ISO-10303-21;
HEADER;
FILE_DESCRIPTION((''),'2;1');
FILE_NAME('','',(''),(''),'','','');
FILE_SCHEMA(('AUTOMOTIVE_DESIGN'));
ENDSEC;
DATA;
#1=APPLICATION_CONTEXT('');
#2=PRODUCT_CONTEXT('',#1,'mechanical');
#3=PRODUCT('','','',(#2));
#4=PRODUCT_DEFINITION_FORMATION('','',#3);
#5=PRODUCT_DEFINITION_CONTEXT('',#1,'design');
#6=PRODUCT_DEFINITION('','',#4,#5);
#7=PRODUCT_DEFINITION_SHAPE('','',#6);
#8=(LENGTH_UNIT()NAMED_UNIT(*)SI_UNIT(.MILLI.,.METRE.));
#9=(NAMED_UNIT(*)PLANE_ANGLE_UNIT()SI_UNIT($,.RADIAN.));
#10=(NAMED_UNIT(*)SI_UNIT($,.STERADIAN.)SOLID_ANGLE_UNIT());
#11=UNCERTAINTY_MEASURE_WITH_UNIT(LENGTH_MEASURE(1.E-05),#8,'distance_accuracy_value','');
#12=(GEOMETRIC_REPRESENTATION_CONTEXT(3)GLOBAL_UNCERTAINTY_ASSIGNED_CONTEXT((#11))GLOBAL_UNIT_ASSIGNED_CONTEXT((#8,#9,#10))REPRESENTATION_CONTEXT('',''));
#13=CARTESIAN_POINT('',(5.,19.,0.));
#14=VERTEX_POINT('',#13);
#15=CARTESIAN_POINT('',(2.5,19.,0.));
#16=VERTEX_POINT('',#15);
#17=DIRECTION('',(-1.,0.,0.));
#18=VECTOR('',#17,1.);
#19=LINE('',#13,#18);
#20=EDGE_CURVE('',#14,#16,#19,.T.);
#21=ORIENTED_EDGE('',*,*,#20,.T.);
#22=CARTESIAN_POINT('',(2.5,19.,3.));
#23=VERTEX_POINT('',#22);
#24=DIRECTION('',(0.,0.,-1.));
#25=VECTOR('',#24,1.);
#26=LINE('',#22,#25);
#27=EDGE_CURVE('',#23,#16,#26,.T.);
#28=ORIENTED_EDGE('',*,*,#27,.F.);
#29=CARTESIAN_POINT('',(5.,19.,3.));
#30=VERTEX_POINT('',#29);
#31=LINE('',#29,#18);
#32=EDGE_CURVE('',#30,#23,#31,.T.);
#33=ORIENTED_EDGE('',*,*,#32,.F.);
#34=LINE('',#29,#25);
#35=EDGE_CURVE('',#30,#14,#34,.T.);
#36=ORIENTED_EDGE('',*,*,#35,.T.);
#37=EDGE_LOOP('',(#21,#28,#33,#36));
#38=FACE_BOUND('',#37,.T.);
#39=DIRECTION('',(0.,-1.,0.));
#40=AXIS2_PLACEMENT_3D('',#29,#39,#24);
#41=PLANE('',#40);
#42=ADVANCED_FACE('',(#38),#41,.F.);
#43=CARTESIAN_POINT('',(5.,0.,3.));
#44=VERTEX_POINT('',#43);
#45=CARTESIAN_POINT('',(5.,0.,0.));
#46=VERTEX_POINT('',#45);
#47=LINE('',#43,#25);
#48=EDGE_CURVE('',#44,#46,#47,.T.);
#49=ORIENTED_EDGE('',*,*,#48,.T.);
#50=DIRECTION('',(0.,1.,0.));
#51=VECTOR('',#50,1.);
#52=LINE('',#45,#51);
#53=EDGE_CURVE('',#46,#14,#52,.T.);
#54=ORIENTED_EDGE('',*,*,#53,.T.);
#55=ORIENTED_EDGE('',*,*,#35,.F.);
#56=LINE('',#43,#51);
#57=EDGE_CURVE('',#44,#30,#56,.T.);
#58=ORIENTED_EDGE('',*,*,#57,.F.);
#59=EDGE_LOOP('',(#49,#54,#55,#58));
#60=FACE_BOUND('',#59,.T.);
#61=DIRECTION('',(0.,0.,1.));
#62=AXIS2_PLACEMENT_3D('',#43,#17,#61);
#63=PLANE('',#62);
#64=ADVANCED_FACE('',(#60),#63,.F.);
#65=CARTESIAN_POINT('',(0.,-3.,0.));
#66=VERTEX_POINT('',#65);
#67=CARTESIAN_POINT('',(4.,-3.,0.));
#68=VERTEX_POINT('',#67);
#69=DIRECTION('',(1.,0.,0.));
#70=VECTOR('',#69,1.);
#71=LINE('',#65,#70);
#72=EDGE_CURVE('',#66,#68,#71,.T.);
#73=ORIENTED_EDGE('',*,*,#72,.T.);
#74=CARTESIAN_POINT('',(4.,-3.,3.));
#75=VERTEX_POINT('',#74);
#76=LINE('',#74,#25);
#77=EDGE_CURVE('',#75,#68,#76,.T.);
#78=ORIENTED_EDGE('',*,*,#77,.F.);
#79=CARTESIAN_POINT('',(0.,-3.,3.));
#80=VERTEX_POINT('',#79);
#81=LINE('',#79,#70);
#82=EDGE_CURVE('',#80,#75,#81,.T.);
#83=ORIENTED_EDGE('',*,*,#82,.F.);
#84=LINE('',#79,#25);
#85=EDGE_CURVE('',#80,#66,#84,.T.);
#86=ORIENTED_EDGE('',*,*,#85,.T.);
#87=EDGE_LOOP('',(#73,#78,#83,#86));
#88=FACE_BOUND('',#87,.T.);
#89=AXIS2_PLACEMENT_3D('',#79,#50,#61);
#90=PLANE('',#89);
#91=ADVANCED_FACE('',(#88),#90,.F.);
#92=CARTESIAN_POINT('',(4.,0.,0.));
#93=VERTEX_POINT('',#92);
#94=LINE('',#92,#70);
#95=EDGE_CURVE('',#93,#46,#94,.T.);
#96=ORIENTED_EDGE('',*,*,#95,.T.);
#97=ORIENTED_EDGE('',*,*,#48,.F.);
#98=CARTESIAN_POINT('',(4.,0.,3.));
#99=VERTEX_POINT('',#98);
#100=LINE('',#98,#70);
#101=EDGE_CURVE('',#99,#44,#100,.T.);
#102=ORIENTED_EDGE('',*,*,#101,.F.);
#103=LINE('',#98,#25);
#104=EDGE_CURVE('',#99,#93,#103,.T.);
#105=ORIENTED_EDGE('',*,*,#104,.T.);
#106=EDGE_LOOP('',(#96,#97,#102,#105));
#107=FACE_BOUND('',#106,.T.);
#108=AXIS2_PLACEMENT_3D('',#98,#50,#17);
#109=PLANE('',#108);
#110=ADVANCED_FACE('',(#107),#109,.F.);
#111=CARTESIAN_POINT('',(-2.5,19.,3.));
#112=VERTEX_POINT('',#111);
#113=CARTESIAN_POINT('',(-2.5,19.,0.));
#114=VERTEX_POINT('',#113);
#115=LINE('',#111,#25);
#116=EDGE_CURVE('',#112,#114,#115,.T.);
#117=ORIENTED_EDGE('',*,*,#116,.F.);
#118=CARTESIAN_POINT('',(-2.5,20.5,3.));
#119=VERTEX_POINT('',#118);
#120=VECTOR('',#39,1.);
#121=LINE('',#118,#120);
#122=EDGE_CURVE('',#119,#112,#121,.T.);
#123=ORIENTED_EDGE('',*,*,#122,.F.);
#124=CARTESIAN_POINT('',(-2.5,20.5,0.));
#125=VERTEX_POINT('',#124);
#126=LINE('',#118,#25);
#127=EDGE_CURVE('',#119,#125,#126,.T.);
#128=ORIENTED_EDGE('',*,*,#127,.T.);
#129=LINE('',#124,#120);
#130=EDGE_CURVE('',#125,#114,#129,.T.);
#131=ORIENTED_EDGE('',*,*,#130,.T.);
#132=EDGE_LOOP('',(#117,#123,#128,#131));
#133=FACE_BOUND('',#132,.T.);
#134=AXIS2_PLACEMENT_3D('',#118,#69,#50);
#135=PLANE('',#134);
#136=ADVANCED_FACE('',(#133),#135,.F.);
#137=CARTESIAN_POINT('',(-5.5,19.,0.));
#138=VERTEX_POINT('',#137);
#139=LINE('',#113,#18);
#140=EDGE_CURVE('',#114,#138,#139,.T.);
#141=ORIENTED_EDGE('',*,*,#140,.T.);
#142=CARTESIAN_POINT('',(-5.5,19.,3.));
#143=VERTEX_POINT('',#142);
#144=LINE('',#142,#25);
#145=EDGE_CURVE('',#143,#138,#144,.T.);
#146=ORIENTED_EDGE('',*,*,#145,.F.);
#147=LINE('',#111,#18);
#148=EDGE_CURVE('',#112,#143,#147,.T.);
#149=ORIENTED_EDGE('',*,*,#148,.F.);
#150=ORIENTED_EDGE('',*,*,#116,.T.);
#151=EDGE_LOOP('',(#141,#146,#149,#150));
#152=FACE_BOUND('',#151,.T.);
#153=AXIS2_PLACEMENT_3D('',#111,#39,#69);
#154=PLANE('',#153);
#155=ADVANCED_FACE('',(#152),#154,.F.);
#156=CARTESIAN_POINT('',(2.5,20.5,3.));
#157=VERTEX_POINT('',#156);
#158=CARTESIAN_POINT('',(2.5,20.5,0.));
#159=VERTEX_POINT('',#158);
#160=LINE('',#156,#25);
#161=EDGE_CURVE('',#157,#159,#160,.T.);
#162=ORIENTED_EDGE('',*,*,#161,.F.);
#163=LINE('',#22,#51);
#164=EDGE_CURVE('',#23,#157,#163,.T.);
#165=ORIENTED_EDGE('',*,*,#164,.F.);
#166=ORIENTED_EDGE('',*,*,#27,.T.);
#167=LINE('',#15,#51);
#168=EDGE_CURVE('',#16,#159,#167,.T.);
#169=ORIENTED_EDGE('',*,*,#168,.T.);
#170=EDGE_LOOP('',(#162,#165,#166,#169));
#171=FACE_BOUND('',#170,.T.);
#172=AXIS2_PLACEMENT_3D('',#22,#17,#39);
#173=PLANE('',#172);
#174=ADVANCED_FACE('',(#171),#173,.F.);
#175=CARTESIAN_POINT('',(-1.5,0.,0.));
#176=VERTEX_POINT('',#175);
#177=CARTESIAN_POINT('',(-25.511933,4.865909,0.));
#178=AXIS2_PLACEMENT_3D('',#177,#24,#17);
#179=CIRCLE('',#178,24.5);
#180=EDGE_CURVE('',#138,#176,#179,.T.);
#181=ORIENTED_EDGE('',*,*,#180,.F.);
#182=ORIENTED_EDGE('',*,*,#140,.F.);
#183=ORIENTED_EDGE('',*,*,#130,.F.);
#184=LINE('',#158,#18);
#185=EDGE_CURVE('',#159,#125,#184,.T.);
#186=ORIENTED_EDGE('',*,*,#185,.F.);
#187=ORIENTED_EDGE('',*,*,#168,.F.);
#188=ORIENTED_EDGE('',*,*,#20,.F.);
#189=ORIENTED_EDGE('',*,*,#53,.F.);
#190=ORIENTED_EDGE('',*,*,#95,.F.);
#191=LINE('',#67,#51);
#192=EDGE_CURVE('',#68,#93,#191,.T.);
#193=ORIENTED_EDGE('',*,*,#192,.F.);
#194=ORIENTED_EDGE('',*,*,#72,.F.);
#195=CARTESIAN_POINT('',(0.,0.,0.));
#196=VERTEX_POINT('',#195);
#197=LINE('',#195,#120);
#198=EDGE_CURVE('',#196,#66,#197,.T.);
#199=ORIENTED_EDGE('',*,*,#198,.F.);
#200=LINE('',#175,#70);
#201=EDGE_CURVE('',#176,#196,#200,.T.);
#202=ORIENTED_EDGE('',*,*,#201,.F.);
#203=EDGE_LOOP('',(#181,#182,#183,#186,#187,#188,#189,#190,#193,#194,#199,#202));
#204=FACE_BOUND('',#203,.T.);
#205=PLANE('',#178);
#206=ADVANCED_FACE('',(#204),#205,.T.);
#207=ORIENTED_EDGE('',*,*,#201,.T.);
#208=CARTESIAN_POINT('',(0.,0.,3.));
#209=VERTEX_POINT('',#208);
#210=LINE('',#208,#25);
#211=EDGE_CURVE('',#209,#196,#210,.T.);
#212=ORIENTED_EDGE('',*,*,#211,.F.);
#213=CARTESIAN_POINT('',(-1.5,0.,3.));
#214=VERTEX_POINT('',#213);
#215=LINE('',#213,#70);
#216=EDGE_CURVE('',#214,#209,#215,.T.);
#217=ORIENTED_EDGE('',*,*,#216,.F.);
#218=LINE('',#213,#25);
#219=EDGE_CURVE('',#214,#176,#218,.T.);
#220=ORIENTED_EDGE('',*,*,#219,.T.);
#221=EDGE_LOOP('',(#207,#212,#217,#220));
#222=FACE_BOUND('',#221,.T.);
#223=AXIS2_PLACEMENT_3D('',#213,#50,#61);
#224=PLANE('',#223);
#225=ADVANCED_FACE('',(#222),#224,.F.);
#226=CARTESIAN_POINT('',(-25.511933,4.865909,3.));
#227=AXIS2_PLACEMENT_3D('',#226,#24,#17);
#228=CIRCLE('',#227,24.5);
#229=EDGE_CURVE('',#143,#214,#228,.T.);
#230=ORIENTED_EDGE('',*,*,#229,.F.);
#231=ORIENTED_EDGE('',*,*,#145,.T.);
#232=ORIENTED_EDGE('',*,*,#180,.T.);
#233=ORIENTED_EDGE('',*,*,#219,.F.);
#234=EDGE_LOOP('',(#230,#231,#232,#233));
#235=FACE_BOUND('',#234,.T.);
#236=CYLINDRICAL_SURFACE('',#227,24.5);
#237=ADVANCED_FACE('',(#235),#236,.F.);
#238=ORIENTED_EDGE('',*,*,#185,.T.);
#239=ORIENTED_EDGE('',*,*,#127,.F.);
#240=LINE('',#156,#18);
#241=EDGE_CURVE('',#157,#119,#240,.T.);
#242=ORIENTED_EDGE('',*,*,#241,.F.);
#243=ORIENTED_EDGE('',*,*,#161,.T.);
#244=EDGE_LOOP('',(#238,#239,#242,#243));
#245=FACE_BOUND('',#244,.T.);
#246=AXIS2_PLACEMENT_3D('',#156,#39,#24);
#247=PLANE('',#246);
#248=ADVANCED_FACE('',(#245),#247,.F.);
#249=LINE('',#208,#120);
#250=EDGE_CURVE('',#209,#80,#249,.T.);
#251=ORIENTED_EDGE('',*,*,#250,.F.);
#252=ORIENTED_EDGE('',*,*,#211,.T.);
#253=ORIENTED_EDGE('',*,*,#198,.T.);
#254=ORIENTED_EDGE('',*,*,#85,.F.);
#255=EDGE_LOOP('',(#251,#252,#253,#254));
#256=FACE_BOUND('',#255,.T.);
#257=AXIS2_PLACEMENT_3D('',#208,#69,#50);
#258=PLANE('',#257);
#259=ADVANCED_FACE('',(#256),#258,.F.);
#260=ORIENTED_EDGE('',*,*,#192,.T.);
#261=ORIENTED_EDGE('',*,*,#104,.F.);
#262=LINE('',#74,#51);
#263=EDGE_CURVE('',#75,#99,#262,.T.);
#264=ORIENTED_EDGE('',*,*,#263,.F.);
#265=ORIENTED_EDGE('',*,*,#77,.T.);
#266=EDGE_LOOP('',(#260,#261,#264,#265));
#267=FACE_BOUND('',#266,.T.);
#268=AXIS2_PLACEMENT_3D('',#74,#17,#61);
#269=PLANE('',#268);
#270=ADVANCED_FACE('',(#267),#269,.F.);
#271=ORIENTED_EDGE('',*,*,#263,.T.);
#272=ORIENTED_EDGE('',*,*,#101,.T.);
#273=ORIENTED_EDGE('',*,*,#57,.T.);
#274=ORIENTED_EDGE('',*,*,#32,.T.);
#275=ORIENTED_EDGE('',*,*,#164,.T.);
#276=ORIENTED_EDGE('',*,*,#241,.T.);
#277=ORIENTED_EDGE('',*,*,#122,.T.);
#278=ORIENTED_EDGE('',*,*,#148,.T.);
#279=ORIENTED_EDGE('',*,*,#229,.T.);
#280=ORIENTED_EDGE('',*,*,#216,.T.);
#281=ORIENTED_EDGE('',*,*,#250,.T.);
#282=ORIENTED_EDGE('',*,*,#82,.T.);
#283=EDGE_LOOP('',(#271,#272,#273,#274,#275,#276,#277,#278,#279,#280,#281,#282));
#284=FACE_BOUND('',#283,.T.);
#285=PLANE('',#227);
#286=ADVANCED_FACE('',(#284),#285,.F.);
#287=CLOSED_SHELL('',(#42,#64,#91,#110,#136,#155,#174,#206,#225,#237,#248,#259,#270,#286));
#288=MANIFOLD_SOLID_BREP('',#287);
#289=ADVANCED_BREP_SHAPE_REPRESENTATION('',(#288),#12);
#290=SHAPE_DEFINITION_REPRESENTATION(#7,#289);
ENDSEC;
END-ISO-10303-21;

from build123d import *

# Parameters (mm, degrees)
SALIENTE_EXTRUIR1_DEPTH = 3


with BuildPart() as part:
    # Croquis2 → Saliente-Extruir1 (new body)
    with BuildSketch(Plane.XY):
        with BuildLine():
            Line((-1.5, 0), (0, 0))
            Line((0, 0), (0, -3))
            Line((0, -3), (4, -3))
            Line((4, -3), (4, 0))
            Line((4, 0), (5, 0))
            Line((5, 0), (5, 19))
            Line((5, 19), (2.5, 19))
            Line((2.5, 19), (2.5, 20.5))
            Line((2.5, 20.5), (-2.5, 20.5))
            Line((-2.5, 20.5), (-2.5, 19))
            Line((-2.5, 19), (-5.5, 19))
            ThreePointArc((-5.5, 19), (-1.537463371, 9.913165606), (-1.5, 0))
        make_face()
    extrude(amount=SALIENTE_EXTRUIR1_DEPTH)


solid = part.part
